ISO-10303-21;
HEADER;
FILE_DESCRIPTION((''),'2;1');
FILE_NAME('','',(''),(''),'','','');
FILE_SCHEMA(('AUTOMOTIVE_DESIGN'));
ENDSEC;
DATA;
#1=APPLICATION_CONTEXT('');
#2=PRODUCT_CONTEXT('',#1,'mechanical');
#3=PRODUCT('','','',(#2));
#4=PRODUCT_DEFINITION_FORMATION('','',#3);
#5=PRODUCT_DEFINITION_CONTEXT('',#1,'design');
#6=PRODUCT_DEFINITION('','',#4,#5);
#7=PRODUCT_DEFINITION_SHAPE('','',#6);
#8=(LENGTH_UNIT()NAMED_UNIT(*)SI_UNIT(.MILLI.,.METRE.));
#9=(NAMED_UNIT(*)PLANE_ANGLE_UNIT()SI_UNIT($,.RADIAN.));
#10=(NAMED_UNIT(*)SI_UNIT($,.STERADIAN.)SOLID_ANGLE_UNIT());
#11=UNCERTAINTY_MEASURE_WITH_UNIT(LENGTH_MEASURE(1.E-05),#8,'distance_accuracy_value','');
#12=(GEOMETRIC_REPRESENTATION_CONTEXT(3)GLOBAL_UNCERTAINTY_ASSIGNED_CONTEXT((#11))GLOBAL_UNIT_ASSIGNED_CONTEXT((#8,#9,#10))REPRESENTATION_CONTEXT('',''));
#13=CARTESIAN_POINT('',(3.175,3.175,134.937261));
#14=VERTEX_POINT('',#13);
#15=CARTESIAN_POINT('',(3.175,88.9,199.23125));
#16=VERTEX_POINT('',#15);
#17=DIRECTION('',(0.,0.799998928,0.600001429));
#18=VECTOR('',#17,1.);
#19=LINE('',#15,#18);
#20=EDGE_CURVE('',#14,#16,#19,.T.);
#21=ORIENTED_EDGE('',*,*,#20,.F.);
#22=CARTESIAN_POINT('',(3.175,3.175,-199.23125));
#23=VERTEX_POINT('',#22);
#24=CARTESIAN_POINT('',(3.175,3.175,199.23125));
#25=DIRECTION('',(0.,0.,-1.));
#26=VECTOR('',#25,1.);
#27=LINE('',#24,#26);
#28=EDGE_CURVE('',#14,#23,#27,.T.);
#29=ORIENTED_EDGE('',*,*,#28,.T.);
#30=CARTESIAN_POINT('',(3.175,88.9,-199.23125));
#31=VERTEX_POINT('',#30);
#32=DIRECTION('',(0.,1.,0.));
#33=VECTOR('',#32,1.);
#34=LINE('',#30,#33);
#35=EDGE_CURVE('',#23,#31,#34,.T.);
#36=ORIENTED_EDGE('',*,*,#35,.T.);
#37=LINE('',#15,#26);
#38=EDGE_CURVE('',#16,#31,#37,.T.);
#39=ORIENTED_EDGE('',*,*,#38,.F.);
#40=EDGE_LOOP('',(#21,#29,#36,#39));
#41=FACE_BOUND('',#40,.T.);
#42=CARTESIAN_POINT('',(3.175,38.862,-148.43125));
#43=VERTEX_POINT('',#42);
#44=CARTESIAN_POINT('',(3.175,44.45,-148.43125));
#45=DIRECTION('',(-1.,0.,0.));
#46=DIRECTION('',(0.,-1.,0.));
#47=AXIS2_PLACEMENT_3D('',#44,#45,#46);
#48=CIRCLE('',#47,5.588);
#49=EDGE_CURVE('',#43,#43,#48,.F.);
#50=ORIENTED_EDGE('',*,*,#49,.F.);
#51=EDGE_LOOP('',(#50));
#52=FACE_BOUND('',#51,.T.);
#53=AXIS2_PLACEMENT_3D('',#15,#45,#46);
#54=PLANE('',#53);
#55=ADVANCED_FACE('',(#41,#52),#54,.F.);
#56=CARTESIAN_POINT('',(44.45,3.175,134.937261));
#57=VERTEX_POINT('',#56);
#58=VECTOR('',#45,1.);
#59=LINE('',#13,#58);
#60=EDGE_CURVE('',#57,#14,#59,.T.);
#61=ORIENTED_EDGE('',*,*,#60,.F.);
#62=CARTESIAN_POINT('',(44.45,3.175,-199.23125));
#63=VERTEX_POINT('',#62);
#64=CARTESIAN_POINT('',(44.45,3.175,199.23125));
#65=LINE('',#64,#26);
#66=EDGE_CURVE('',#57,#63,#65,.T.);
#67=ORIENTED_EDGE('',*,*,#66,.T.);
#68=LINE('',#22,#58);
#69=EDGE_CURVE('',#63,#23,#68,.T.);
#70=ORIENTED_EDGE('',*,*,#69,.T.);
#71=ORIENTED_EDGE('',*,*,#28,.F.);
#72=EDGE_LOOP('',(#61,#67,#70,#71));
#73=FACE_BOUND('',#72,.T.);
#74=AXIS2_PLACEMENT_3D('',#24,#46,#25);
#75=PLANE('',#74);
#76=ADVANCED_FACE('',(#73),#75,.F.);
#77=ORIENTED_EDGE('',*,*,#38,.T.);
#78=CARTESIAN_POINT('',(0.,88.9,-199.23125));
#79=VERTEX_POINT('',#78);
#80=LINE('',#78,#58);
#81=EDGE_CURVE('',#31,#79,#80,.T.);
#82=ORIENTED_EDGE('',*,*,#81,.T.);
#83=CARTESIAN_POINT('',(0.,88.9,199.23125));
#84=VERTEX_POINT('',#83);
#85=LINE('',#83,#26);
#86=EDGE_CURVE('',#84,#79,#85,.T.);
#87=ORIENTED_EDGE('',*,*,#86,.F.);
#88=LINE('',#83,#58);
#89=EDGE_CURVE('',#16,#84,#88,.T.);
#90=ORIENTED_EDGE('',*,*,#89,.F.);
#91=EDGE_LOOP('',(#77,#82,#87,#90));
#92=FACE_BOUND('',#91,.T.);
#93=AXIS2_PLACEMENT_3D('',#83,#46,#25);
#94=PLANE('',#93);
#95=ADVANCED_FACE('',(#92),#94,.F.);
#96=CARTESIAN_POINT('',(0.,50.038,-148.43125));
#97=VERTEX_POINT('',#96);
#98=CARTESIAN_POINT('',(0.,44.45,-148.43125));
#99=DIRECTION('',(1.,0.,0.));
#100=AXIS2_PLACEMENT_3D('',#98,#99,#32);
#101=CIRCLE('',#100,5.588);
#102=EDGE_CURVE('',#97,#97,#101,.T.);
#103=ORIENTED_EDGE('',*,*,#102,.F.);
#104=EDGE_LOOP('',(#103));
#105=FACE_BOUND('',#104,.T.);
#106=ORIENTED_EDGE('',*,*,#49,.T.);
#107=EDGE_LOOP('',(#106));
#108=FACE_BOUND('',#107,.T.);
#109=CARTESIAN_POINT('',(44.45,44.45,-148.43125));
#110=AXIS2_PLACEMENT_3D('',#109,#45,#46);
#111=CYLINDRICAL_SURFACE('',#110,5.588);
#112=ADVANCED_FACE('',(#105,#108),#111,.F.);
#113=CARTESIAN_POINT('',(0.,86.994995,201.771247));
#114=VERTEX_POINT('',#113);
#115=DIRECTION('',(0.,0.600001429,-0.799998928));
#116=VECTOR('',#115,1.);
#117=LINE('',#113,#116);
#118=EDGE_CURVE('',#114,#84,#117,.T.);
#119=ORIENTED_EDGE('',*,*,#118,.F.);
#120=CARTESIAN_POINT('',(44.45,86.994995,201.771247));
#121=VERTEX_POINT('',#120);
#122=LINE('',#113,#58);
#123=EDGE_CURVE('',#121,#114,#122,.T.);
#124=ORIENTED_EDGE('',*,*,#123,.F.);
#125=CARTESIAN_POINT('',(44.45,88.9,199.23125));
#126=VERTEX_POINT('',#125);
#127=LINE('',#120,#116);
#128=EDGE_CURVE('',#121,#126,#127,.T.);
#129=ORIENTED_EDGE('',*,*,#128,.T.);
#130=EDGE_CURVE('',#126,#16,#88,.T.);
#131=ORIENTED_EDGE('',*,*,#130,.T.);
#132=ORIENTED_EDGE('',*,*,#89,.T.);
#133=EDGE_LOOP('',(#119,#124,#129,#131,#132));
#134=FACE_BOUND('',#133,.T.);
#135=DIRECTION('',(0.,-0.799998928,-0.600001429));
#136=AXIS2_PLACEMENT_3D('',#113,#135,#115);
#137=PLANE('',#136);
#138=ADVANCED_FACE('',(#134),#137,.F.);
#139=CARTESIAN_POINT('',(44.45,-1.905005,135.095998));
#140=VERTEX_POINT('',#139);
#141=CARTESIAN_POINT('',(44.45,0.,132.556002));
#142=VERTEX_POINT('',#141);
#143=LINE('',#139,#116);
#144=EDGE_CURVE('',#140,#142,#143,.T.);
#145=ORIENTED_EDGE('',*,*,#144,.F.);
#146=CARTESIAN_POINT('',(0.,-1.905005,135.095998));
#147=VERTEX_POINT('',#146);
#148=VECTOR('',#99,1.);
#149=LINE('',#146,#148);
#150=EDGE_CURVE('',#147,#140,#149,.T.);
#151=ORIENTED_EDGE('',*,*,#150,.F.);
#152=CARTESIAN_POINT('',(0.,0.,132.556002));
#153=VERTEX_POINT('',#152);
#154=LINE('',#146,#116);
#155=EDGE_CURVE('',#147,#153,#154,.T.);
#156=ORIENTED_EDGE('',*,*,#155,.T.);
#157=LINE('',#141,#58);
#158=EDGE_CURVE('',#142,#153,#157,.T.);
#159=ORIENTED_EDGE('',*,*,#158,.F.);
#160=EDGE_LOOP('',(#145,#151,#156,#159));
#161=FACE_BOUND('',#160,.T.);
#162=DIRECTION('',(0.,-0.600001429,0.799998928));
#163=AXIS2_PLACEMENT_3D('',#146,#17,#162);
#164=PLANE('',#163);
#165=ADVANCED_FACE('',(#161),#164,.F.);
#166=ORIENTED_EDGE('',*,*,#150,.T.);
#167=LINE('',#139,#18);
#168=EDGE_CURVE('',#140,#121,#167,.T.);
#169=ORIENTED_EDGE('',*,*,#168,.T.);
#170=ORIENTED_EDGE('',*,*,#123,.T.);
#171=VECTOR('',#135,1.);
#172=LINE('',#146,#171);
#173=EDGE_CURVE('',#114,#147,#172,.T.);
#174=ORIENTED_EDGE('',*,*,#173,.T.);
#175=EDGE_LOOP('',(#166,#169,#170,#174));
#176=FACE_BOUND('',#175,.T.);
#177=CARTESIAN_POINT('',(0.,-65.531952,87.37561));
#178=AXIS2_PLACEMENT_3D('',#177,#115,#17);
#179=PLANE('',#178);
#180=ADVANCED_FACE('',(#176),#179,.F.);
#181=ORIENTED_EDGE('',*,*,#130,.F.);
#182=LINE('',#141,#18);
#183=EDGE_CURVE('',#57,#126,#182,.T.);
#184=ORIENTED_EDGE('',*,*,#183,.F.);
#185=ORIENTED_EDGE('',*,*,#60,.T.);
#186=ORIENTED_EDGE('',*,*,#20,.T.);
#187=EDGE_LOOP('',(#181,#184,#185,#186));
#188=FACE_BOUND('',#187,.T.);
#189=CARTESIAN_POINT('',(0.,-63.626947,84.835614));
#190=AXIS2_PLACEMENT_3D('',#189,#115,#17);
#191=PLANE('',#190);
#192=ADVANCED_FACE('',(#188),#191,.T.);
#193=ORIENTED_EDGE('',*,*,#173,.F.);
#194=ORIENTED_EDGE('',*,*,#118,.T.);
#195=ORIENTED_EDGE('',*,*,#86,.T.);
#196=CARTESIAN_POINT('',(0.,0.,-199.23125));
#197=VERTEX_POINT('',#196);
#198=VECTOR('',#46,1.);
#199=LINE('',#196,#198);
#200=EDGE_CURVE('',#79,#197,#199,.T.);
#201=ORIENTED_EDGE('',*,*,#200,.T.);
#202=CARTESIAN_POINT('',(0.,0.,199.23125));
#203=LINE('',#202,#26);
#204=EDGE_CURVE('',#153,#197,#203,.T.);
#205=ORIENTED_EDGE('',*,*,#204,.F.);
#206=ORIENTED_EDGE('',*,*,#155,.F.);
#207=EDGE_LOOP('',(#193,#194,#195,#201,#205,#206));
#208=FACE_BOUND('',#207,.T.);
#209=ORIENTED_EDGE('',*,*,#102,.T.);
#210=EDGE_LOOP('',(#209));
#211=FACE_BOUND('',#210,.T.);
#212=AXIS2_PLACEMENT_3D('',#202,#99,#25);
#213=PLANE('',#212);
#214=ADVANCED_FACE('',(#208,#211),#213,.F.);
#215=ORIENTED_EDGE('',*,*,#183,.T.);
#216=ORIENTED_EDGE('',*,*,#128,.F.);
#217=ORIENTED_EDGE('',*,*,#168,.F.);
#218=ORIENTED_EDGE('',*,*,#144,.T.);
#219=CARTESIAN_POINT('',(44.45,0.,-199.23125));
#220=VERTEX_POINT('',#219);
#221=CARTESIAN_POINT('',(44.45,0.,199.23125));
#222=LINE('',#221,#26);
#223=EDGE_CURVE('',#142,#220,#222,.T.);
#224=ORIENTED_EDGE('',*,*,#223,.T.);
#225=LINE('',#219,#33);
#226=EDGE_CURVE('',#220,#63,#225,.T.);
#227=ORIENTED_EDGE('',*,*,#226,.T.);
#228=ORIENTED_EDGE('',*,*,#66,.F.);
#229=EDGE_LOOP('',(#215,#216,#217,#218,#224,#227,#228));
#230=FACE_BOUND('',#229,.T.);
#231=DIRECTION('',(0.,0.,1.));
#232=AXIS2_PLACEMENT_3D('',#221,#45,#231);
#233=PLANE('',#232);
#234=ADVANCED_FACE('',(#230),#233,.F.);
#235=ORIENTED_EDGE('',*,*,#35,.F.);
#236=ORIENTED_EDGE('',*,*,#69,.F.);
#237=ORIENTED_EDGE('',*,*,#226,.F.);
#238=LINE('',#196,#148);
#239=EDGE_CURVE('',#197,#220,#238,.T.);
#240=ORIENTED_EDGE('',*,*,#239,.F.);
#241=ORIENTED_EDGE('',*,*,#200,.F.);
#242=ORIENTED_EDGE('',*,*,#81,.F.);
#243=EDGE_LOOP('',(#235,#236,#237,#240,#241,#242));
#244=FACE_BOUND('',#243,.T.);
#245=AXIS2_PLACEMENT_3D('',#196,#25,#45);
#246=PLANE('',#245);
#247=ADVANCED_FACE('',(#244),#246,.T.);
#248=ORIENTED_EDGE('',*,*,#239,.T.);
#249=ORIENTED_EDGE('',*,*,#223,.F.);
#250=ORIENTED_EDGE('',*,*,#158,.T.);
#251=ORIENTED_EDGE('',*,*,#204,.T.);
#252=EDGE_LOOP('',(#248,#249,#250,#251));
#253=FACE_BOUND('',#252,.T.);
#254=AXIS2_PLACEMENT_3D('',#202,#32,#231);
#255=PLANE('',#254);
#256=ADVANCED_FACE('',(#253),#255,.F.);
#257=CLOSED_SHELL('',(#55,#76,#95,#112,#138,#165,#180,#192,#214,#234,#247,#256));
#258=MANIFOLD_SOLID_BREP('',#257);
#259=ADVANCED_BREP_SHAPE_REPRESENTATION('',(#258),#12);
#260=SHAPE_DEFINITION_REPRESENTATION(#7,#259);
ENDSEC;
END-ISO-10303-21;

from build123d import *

# Parameters (mm, degrees)
BOSS_EXTRUDE1_DEPTH     = 199.23125
CUT_EXTRUDE3_DEPTH      = 223.035867827
CUT_EXTRUDE3_DEPTH_BACK = 223.035867827
SKETCH4_R               = 5.588
SKETCH5_W               = 44.45
SKETCH5_H               = 111.125148887
BOSS_EXTRUDE3_DEPTH     = 3.175


with BuildPart() as part:
    # Sketch1 → Boss-Extrude1 (new, symmetric)
    with BuildSketch(Plane.XY):
        Polygon((3.175, 88.9), (3.175, 3.175), (44.45, 3.175), (44.45, 0), (0, 0), (0, 88.9), align=None)
    extrude(amount=BOSS_EXTRUDE1_DEPTH, both=True)

    # Sketch4 → Cut-Extrude3 (cut, two sides: drawn at the far end of the back side and taken through both)
    with BuildSketch(Plane(origin=(3.175, 0, 0), x_dir=(0, 0, -1), z_dir=(1, 0, 0)).offset(-CUT_EXTRUDE3_DEPTH_BACK)):
        with Locations(Location((148.43125, 44.45, 0), (0, 0, 270))):
            Circle(SKETCH4_R)
        Polygon((-199.23125, 88.9), (-132.556001855, 0), (-199.23125, 0), align=None)
    extrude(amount=CUT_EXTRUDE3_DEPTH + CUT_EXTRUDE3_DEPTH_BACK, mode=Mode.SUBTRACT)

    # Sketch5 → Boss-Extrude3 (add)
    with BuildSketch(Plane(origin=(0, -63.626947194, 84.835613859), x_dir=(1, 0, 0), z_dir=(0, -0.6000014291326674, 0.7999989281485049))):
        with Locations((22.225, 135.096364997)):
            Rectangle(SKETCH5_W, SKETCH5_H)
    extrude(amount=BOSS_EXTRUDE3_DEPTH)


solid = part.part
